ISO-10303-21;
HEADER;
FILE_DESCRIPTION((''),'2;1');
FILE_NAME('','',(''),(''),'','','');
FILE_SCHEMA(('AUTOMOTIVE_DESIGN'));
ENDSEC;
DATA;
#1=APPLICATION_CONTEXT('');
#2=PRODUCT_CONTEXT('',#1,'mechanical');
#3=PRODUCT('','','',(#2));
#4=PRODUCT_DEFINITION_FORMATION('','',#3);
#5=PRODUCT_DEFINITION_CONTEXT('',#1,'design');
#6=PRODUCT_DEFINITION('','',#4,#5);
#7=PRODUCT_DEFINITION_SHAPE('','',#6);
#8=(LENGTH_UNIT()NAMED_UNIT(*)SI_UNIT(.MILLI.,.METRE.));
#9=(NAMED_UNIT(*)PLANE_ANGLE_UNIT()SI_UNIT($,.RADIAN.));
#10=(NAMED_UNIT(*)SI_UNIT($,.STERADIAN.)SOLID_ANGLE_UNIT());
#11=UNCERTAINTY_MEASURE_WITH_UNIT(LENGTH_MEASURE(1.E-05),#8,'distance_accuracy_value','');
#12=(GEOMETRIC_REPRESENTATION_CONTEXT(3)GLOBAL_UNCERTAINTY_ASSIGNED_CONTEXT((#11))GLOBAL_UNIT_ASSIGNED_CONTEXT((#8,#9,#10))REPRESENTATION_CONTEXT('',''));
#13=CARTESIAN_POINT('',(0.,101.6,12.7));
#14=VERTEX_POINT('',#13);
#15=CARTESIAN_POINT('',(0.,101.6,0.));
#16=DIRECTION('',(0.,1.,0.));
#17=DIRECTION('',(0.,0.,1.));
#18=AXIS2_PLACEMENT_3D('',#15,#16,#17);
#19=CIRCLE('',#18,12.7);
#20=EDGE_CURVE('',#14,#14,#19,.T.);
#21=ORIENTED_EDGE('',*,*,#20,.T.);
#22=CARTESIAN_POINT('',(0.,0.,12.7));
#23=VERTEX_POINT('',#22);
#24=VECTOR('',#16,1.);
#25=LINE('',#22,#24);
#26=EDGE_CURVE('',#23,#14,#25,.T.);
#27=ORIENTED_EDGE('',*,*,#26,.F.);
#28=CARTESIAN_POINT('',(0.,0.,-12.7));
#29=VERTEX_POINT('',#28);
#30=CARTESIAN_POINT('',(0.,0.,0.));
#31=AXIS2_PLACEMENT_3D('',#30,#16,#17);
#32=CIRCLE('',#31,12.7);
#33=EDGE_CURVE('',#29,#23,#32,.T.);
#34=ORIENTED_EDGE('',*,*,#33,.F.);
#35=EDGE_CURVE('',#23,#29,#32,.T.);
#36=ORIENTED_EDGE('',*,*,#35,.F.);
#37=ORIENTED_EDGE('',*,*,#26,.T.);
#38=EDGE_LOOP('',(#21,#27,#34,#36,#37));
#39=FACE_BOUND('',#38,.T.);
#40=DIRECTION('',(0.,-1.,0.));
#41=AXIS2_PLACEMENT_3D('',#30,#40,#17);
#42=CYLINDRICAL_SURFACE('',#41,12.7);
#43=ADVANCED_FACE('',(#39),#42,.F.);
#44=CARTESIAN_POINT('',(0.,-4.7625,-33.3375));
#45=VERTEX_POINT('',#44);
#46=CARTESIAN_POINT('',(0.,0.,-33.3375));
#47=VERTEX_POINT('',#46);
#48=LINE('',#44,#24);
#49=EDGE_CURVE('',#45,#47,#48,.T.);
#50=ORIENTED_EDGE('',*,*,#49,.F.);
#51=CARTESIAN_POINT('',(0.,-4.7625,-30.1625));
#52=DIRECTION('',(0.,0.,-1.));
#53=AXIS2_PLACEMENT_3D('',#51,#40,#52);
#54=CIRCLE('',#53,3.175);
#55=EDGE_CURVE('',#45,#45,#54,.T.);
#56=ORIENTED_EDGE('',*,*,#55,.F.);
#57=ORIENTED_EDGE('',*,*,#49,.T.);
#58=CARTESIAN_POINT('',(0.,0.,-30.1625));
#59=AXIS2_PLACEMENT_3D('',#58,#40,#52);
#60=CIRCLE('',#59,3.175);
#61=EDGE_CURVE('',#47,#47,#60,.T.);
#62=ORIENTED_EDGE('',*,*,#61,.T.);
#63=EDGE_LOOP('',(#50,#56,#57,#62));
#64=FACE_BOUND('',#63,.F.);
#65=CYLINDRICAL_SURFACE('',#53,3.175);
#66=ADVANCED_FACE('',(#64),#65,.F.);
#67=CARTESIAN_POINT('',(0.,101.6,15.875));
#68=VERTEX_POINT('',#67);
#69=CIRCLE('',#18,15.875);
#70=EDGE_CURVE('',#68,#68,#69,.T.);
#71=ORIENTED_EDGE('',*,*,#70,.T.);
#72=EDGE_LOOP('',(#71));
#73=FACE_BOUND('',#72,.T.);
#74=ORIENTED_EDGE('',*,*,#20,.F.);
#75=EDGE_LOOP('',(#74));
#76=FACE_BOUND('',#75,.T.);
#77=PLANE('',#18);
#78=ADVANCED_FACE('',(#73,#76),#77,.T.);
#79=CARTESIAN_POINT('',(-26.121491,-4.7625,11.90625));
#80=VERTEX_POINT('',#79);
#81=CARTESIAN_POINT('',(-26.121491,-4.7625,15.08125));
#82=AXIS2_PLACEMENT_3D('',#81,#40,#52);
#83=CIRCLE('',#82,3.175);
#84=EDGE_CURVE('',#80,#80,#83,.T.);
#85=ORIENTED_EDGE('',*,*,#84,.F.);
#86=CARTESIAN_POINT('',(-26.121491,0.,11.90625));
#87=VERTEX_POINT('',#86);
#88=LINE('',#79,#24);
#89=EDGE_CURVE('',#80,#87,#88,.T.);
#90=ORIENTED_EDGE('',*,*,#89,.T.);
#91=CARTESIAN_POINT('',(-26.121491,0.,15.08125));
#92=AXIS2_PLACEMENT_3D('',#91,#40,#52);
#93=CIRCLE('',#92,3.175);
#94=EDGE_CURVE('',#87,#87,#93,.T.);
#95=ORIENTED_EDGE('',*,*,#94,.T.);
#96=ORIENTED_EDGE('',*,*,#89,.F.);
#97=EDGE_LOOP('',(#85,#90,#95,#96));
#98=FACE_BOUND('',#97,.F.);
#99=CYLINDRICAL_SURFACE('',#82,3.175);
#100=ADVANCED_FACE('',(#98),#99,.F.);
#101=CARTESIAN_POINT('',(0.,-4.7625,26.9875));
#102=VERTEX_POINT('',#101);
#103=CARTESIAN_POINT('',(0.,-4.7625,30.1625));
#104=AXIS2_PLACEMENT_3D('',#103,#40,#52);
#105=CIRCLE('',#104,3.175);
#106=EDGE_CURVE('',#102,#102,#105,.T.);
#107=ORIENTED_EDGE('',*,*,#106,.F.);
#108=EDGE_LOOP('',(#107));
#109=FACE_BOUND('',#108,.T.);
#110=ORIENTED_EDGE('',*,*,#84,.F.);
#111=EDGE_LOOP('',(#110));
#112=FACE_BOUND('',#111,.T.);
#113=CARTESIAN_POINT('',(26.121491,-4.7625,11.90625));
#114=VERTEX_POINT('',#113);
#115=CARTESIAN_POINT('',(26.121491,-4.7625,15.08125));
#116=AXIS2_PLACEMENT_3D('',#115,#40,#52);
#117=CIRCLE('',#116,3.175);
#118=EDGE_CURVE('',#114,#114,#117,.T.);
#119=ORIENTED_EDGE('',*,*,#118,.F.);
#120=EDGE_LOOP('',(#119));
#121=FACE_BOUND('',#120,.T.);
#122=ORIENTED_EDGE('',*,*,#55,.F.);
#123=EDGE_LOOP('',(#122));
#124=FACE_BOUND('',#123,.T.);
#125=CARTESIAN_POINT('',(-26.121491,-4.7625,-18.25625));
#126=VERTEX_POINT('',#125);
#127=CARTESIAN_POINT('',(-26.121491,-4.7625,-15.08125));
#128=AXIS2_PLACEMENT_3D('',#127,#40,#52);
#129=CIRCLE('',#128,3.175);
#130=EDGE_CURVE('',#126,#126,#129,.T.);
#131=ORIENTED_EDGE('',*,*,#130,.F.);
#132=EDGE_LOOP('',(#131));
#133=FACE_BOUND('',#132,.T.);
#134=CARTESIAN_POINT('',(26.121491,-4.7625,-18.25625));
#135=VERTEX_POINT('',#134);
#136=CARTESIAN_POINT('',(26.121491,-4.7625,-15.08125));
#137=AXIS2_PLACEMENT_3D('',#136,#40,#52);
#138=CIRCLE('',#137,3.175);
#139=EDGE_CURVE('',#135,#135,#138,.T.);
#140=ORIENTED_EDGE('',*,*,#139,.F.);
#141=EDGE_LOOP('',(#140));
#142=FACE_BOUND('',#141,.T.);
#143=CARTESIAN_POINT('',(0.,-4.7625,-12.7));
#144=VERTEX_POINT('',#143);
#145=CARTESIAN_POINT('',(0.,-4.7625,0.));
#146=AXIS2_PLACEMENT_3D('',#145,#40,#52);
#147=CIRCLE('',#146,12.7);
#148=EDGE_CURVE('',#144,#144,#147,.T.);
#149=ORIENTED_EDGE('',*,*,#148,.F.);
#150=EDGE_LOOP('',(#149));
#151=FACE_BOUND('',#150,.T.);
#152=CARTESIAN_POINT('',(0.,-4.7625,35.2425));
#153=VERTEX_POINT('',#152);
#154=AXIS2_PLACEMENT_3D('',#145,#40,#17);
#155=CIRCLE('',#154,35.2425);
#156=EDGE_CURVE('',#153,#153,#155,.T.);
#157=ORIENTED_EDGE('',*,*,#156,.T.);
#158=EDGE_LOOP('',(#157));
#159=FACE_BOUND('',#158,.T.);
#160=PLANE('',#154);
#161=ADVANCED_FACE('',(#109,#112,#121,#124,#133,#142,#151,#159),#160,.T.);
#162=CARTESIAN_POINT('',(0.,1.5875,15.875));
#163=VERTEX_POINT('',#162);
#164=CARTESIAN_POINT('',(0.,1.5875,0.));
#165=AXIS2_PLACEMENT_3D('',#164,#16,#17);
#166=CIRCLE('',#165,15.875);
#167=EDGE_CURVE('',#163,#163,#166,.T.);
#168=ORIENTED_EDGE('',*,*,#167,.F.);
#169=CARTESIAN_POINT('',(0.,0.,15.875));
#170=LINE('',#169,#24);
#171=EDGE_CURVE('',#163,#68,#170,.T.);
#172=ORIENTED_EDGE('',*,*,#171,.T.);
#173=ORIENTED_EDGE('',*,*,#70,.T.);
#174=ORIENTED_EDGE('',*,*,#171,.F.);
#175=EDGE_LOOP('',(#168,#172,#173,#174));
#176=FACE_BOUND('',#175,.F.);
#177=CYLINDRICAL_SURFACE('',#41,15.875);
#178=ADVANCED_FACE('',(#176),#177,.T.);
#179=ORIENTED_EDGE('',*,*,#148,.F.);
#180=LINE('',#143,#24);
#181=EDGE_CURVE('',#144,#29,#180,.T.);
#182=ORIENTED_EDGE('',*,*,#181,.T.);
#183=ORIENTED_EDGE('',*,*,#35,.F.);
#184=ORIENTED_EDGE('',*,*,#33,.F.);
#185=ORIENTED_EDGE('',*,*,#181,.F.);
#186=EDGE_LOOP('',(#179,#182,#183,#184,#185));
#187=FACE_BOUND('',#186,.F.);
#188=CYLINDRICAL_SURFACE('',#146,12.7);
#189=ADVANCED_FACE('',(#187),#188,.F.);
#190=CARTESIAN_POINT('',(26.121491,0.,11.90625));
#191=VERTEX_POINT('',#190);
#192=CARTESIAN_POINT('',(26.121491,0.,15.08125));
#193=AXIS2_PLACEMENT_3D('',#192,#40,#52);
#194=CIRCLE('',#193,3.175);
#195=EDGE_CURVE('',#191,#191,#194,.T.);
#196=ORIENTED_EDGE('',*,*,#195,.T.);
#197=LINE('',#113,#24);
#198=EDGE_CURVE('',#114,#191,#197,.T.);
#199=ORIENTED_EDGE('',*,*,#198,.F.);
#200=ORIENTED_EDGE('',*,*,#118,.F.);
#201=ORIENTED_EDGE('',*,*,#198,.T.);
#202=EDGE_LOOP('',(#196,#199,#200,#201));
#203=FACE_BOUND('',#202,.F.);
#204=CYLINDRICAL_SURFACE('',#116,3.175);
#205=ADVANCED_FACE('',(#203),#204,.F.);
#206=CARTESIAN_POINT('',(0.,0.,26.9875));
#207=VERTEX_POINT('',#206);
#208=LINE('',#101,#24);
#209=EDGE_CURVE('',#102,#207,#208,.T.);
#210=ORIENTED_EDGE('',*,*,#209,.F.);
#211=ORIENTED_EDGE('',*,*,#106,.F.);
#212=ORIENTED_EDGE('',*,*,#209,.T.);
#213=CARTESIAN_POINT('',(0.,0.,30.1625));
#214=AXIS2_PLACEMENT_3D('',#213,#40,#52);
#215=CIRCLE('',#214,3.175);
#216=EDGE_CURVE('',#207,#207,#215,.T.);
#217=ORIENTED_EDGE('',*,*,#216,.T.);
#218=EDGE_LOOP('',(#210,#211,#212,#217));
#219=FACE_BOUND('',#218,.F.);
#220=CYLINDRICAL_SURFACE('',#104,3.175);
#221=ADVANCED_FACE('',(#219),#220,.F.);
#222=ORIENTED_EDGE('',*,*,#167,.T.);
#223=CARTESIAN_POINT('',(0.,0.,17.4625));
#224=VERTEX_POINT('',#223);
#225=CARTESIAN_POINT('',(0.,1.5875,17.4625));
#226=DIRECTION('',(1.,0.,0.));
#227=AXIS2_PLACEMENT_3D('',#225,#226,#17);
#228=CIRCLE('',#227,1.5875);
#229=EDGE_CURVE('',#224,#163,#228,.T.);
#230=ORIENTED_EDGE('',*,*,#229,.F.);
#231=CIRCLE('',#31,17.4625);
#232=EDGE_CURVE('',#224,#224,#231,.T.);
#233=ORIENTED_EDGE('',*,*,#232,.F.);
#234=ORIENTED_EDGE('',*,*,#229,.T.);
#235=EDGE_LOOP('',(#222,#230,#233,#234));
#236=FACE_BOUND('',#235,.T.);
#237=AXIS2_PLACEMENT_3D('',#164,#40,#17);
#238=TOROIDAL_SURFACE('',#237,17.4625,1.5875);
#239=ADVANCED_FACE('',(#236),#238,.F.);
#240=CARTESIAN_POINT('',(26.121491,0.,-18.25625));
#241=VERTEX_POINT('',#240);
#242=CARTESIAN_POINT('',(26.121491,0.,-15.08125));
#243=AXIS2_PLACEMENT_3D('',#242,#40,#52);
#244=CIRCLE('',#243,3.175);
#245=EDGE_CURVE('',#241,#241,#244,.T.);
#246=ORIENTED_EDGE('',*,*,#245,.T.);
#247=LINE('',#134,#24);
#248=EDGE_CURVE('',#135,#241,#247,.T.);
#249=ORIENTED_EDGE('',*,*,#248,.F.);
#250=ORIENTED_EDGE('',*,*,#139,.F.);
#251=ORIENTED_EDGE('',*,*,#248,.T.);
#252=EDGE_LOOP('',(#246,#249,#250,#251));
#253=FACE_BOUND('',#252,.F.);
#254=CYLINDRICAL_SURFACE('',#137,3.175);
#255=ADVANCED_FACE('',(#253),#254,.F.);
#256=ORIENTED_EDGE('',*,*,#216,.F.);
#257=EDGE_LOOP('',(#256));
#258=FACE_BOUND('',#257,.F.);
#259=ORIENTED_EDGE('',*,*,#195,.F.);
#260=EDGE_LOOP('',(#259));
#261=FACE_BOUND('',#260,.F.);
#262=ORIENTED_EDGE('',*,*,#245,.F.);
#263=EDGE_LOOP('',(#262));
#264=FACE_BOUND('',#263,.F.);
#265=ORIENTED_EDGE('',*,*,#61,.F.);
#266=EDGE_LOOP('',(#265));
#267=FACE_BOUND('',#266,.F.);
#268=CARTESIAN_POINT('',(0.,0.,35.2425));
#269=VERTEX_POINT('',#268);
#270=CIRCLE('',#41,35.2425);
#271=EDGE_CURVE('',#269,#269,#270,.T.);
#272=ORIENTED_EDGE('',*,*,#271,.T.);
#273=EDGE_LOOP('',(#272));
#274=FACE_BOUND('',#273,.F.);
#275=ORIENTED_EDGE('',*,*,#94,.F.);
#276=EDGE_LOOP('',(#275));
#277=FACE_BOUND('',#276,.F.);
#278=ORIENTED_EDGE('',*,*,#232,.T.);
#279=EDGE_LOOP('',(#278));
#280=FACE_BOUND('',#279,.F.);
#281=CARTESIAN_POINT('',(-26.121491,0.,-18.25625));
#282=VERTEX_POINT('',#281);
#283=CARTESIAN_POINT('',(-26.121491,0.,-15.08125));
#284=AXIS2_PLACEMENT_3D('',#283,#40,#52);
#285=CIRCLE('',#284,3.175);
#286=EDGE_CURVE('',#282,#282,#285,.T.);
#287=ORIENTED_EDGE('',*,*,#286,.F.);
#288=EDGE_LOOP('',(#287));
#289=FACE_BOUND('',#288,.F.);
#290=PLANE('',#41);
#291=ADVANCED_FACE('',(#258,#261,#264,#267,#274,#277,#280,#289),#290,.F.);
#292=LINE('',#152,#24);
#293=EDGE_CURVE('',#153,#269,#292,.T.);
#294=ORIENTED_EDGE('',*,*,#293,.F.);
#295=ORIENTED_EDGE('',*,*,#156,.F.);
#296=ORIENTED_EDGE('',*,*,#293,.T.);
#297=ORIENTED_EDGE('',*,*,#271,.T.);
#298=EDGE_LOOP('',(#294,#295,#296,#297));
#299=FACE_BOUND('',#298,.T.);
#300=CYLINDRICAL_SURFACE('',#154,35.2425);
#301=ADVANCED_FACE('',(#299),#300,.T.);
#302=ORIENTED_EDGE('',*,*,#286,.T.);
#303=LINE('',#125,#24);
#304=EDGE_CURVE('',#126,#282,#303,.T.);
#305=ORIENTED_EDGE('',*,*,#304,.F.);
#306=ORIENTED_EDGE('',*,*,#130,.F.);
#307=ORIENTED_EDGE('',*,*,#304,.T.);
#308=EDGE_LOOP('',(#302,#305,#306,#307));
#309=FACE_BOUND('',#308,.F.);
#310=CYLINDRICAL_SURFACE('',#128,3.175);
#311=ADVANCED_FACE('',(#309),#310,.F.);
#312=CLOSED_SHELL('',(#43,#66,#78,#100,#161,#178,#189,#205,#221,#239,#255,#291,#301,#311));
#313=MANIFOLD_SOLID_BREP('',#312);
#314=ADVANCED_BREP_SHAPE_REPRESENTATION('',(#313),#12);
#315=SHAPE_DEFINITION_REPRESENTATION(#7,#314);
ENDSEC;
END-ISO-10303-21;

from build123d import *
from build123d.topology import SkipClean

# Parameters (mm, degrees)
SKETCH1_R           = 15.875
SKETCH1_R_2         = 12.7
BOSS_EXTRUDE1_DEPTH = 101.6
BOSS_EXTRUDE2_START = 4.7625
SKETCH2_R           = 35.2425
SKETCH2_R_2         = 12.7
BOSS_EXTRUDE2_DEPTH = 4.7625
FILLET1_R           = 1.5875
SKETCH3_R           = 3.175
CUT_EXTRUDE1_DEPTH  = 4.7625


with BuildPart() as part:
    # Sketch1 → Boss-Extrude1 (new body)
    with BuildSketch(Plane(origin=(0, 0, 0), x_dir=(1, 0, 0), z_dir=(0, 1, 0))):
        with Locations(Location((0, 0, 0), (0, 0, 270))):
            Circle(SKETCH1_R)
        with Locations(Location((0, 0, 0), (0, 0, 270))):
            Circle(SKETCH1_R_2, mode=Mode.SUBTRACT)
    extrude(amount=BOSS_EXTRUDE1_DEPTH)

    # Sketch2 → Boss-Extrude2 (add)
    with SkipClean():  # the faces are left unmerged after this step: merging them gives an invalid solid
        with BuildSketch(Plane(origin=(0, 0, 0), x_dir=(-1, 0, 0), z_dir=(0, -1, 0)).offset(BOSS_EXTRUDE2_START)):
            with Locations(Location((0, 0, 0), (0, 0, 270))):
                Circle(SKETCH2_R)
            with Locations(Location((0, 0, 0), (0, 0, 90))):
                Circle(SKETCH2_R_2, mode=Mode.SUBTRACT)
        extrude(amount=-BOSS_EXTRUDE2_DEPTH)

    # Fillet1
    fillet1_edges = [part.edges().sort_by_distance(p)[0] for p in [
        (0, 0, -15.875),
    ]]
    fillet(fillet1_edges, radius=FILLET1_R)

    # Sketch3 → Cut-Extrude1 (cut)
    with SkipClean():  # the faces are left unmerged after this step: merging them gives an invalid solid
        with BuildSketch(Plane(origin=(0, -4.7625, 0), x_dir=(-1, 0, 0), z_dir=(0, -1, 0))):
            with Locations(Location((0, -30.1625, 0), (0, 0, 90))):
                Circle(SKETCH3_R)
            with Locations(Location((-26.121491242, -15.08125, 0), (0, 0, 90))):
                Circle(SKETCH3_R)
            with Locations(Location((-26.121491242, 15.08125, 0), (0, 0, 90))):
                Circle(SKETCH3_R)
            with Locations(Location((0, 30.1625, 0), (0, 0, 90))):
                Circle(SKETCH3_R)
            with Locations(Location((26.121491242, 15.08125, 0), (0, 0, 90))):
                Circle(SKETCH3_R)
            with Locations(Location((26.121491242, -15.08125, 0), (0, 0, 90))):
                Circle(SKETCH3_R)
        extrude(amount=-CUT_EXTRUDE1_DEPTH, mode=Mode.SUBTRACT)


solid = part.part
